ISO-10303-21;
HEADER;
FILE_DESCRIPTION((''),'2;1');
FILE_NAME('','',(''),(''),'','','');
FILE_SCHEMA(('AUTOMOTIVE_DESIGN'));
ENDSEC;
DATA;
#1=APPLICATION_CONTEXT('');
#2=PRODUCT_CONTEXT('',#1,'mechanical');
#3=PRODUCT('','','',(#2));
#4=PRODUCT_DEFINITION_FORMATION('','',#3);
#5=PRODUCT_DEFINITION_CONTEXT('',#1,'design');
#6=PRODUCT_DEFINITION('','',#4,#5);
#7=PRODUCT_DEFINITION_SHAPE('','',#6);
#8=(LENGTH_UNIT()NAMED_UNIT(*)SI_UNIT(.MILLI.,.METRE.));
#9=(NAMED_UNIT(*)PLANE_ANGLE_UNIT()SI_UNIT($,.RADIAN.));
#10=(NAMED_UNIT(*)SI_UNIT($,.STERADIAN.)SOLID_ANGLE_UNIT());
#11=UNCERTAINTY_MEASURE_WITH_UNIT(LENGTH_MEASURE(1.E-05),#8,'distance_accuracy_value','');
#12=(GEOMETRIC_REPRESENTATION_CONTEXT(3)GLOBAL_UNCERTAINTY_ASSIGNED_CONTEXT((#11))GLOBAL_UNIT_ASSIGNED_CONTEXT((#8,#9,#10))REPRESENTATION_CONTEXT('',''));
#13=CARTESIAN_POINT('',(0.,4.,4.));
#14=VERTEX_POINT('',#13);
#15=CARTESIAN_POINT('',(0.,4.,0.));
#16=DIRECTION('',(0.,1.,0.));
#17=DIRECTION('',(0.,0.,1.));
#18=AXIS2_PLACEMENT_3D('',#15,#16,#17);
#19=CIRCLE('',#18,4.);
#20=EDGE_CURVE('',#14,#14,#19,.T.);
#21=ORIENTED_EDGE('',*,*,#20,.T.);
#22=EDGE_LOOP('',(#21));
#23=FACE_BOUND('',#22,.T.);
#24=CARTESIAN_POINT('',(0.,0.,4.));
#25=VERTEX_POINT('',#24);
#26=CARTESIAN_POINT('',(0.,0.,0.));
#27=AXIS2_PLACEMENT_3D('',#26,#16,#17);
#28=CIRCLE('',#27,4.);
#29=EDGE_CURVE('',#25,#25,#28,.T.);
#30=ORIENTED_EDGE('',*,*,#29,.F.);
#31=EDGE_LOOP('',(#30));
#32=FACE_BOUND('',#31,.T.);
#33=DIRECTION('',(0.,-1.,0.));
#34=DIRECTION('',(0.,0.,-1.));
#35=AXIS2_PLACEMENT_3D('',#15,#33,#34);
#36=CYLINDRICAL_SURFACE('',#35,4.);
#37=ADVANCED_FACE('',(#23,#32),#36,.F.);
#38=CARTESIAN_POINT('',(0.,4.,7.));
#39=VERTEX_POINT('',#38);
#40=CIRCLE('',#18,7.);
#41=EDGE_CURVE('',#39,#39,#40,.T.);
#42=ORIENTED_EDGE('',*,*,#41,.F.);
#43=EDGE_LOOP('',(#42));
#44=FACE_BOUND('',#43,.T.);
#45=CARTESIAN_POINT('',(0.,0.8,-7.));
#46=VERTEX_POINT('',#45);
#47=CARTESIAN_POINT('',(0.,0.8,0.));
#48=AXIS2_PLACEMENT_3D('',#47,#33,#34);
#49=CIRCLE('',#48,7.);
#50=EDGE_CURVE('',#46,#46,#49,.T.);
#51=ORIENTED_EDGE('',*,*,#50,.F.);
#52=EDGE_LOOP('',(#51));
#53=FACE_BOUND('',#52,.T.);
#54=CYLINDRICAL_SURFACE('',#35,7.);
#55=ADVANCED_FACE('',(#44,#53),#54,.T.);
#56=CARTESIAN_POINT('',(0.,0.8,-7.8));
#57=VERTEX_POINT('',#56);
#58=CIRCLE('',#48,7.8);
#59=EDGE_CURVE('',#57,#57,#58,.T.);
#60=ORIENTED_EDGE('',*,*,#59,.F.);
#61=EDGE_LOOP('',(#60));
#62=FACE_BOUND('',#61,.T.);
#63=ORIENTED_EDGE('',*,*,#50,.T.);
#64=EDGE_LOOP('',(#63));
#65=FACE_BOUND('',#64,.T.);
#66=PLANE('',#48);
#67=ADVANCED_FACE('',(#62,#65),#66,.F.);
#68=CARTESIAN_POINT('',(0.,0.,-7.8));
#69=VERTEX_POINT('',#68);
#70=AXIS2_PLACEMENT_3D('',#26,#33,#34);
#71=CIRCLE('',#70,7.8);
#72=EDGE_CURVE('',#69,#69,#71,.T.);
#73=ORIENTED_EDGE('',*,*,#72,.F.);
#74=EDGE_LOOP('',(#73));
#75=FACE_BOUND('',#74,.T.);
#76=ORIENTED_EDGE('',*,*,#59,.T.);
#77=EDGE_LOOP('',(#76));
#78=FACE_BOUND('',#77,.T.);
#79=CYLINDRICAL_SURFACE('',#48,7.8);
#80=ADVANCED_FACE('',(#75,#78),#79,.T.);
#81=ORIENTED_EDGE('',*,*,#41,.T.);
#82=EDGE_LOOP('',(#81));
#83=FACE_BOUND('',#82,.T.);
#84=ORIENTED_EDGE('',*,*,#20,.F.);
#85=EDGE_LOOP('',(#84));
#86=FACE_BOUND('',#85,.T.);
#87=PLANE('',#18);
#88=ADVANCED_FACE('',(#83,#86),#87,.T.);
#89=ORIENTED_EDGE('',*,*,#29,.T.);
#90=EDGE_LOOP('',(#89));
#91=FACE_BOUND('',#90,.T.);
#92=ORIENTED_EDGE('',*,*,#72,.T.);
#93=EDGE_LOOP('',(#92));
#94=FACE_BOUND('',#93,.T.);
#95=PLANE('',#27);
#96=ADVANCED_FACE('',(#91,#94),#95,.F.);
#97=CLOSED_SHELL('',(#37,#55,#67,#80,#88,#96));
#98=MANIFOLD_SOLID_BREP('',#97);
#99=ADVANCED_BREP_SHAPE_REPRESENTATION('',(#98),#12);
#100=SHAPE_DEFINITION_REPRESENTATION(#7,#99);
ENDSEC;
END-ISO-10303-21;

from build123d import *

# Parameters (mm, degrees)
SKETCH_1_R      = 7
SKETCH_1_R_2    = 4
EXTRUDE_1_DEPTH = 4
SKETCH_2_R      = 7.8
SKETCH_2_R_2    = 4
EXTRUDE_2_DEPTH = 0.8


with BuildPart() as part:
    # 草图1 → 凸台-拉伸1 (new body)
    with BuildSketch(Plane(origin=(0, 0, 0), x_dir=(1, 0, 0), z_dir=(0, 1, 0))):
        Circle(SKETCH_1_R)
        Circle(SKETCH_1_R_2, mode=Mode.SUBTRACT)
    extrude(amount=EXTRUDE_1_DEPTH)

    # 草图2 → 凸台-拉伸2 (add)
    with BuildSketch(Plane.XZ):
        Circle(SKETCH_2_R)
        Circle(SKETCH_2_R_2, mode=Mode.SUBTRACT)
    extrude(amount=-EXTRUDE_2_DEPTH)


solid = part.part
